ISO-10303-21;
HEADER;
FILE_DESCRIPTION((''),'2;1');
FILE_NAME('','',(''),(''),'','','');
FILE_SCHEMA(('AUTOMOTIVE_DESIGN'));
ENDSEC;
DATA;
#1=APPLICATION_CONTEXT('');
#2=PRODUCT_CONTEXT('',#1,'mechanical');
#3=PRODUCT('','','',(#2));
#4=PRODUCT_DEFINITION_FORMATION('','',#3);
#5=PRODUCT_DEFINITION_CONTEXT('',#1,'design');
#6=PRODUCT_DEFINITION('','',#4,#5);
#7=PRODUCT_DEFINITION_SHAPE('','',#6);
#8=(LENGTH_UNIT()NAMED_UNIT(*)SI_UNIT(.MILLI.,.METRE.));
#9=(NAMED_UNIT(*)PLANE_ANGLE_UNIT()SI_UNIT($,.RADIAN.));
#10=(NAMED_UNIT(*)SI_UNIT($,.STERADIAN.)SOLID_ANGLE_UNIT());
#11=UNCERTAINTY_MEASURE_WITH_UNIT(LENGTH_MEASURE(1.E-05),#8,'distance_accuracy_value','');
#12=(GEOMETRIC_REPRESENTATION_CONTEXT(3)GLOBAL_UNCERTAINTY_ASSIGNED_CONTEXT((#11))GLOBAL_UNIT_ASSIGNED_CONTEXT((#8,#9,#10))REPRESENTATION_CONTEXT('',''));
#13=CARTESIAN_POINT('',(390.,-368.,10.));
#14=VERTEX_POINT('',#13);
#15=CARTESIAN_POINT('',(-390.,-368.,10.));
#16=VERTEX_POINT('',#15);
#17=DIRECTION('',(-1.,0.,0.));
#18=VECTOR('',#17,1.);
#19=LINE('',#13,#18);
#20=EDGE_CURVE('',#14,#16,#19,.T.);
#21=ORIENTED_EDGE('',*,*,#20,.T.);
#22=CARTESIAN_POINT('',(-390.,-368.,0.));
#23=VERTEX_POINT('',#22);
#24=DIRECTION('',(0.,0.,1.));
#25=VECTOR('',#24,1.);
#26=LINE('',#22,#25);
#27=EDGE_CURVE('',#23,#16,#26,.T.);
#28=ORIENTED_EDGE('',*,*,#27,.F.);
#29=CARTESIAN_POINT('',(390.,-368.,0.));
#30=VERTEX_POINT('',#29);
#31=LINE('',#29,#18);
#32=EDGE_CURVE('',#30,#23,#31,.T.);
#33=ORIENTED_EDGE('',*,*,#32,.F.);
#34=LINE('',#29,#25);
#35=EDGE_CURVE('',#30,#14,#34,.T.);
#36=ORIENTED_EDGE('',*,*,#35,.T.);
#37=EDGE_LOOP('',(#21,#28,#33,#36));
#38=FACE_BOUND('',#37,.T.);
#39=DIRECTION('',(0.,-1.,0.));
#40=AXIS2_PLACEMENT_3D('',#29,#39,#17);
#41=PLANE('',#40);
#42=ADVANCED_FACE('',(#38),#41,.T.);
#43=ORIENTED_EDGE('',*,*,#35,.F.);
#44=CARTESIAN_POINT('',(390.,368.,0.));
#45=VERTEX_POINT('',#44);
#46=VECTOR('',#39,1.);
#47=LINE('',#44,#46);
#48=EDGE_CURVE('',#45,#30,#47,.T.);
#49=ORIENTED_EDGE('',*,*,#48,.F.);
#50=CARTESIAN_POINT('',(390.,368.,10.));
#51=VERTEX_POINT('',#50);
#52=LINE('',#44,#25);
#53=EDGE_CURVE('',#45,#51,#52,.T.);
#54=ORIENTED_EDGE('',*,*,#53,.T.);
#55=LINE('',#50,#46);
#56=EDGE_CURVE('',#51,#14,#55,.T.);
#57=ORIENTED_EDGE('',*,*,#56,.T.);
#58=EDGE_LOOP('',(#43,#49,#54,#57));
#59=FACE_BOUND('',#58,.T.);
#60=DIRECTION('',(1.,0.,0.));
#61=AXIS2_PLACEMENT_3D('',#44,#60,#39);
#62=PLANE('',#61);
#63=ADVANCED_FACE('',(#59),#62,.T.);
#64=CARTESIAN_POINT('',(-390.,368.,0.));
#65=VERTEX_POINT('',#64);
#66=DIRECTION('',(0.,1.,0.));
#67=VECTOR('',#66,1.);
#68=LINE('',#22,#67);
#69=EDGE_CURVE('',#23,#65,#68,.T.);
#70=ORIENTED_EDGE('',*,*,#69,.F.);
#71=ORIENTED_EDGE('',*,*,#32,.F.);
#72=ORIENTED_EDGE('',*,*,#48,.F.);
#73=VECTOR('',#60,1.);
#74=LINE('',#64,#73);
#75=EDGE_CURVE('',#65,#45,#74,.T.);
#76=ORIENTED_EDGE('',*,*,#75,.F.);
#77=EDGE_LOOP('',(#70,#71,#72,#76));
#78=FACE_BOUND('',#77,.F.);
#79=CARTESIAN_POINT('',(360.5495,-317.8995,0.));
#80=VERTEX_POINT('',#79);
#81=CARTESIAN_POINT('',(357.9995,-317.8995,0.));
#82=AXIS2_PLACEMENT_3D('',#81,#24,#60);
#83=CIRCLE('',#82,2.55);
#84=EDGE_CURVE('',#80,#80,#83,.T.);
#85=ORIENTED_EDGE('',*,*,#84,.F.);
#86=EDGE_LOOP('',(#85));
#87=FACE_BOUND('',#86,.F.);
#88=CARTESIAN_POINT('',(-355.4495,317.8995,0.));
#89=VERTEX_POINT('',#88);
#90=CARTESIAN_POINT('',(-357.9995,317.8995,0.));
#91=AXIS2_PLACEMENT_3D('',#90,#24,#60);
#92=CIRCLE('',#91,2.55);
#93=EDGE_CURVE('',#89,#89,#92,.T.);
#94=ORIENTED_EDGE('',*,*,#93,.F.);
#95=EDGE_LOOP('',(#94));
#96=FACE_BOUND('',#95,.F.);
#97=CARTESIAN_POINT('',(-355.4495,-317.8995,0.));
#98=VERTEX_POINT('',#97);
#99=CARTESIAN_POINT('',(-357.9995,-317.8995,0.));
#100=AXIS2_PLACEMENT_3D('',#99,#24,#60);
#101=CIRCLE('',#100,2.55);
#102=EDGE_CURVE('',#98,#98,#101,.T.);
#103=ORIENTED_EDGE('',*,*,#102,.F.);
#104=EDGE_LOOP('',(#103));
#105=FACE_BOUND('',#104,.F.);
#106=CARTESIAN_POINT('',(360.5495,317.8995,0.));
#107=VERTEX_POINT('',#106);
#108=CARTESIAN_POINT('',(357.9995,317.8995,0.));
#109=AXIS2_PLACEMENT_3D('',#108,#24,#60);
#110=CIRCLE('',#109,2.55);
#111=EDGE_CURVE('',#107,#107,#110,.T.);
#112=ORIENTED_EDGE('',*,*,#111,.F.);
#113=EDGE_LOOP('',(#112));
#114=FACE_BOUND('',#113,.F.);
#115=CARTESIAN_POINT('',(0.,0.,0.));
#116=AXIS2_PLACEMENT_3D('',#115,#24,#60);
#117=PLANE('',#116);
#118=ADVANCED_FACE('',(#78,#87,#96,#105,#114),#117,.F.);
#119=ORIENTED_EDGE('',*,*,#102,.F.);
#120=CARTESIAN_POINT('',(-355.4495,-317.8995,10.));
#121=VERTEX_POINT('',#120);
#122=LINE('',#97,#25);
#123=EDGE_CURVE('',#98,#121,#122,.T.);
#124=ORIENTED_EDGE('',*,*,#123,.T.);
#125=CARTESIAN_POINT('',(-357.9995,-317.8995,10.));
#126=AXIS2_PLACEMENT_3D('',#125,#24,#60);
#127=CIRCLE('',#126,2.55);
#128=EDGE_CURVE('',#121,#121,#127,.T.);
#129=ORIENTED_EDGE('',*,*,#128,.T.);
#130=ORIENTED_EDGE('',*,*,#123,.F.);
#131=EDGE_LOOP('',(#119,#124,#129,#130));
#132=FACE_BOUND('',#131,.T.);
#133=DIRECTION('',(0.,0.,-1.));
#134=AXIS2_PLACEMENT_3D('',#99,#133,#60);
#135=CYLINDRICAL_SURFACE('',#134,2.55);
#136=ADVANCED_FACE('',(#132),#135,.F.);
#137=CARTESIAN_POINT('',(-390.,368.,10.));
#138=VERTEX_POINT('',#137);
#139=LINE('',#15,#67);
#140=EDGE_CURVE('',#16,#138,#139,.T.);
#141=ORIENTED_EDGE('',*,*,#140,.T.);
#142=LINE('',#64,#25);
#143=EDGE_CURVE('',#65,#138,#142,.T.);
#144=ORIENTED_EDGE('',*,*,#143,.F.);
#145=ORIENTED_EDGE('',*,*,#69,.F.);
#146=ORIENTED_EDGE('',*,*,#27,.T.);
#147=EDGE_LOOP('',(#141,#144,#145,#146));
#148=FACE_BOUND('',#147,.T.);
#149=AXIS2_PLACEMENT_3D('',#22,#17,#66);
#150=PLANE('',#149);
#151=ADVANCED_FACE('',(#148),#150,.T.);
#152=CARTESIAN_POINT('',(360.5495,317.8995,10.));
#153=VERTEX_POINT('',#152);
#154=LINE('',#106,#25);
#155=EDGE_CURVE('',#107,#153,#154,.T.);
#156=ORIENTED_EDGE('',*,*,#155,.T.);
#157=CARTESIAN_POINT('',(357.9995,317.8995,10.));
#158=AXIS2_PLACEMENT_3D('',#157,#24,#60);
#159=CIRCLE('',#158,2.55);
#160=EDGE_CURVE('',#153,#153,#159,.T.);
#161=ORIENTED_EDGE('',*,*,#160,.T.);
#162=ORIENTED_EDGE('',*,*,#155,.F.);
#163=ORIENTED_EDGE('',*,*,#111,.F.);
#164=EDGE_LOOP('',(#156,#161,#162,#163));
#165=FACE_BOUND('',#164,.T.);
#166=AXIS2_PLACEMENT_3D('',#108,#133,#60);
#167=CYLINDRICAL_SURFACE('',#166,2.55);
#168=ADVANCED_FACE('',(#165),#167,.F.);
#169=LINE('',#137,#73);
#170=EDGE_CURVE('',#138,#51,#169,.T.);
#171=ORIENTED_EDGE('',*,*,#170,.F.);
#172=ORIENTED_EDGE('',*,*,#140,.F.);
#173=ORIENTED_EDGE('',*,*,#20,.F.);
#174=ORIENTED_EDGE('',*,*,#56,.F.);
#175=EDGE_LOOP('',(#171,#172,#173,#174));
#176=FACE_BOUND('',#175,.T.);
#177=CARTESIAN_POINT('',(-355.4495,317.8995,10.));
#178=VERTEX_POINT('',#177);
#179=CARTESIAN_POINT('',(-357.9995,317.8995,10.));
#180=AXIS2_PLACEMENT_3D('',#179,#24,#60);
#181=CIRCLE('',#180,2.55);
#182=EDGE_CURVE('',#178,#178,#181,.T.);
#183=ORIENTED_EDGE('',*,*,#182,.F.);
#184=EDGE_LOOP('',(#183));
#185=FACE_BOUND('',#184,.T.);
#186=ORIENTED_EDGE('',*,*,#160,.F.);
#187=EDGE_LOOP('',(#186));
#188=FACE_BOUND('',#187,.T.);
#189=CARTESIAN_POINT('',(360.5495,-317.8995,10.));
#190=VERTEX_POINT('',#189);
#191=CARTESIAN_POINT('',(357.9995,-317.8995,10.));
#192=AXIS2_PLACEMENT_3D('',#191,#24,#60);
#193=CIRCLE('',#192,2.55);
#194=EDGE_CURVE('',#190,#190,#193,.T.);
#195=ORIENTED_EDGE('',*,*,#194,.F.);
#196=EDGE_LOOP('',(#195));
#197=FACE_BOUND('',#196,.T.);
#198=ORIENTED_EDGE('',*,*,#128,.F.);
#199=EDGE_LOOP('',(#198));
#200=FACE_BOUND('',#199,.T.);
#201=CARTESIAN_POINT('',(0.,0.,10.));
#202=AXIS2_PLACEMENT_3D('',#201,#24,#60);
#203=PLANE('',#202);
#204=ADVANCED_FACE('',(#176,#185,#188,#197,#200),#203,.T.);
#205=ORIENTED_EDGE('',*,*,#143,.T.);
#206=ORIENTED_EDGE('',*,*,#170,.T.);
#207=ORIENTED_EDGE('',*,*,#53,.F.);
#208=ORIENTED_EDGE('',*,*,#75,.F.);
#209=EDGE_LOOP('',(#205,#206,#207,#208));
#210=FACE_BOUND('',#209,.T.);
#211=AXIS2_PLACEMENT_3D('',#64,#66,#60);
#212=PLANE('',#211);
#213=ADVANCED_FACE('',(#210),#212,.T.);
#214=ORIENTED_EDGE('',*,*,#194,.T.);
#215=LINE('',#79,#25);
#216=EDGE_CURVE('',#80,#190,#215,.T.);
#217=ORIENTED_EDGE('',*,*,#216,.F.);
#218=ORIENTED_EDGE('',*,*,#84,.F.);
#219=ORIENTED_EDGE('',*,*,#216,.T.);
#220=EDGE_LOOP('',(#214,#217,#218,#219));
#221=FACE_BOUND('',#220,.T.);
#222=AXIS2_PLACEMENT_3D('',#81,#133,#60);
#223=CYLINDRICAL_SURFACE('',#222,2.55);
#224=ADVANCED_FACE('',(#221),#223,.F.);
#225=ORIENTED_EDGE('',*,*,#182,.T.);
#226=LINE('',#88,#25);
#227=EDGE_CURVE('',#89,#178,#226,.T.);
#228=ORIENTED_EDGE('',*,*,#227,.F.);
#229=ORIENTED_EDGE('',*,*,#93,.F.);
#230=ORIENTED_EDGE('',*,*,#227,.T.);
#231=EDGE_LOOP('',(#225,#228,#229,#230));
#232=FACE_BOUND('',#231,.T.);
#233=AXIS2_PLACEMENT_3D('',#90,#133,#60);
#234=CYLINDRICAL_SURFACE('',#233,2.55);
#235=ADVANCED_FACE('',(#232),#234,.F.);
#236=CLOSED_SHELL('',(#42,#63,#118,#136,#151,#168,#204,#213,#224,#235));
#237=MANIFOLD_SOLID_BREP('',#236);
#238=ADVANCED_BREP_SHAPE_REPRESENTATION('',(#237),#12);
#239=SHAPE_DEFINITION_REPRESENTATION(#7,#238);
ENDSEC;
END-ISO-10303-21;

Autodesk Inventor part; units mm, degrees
ref_plane "YZ Plane" through (0, 0, 0) normal (1, 0, 0) x (0, 1, 0)
ref_plane "XZ Plane" through (0, 0, 0) normal (0, 1, 0) x (-1, 0, 0)
ref_plane "XY Plane" through (0, 0, 0) normal (0, 0, 1) x (1, 0, 0)
sketch "Sketch1" plane through (0, 0, 0) normal (0, 0, 1) x (1, 0, 0)
  line L0 (-390, 368) -> (390, 368)
  line L1 (390, 368) -> (390, -368)
  line L2 (390, -368) -> (-390, -368)
  line L3 (-390, -368) -> (-390, 368)
  line L4 (0, 368) -> (0, 0) construction
  line L5 (0, 0) -> (390, 0) construction
  circle A0 centre (357.9995, 317.8995) radius 2.55
  circle A1 centre (-357.9995, 317.8995) radius 2.55
  circle A2 centre (357.9995, -317.8995) radius 2.55
  circle A3 centre (-357.9995, -317.8995) radius 2.55
  point P0 (-390, 0)
  dimension "d0" = 736
  dimension "d1" = 780
  dimension "d2" = 5.1
  dimension "d3" = 317.8995
  dimension "d4" = 715.999
extrude "Extrusion1" add sketch "Sketch1" along normal blind 10
properties part number "lamina"
